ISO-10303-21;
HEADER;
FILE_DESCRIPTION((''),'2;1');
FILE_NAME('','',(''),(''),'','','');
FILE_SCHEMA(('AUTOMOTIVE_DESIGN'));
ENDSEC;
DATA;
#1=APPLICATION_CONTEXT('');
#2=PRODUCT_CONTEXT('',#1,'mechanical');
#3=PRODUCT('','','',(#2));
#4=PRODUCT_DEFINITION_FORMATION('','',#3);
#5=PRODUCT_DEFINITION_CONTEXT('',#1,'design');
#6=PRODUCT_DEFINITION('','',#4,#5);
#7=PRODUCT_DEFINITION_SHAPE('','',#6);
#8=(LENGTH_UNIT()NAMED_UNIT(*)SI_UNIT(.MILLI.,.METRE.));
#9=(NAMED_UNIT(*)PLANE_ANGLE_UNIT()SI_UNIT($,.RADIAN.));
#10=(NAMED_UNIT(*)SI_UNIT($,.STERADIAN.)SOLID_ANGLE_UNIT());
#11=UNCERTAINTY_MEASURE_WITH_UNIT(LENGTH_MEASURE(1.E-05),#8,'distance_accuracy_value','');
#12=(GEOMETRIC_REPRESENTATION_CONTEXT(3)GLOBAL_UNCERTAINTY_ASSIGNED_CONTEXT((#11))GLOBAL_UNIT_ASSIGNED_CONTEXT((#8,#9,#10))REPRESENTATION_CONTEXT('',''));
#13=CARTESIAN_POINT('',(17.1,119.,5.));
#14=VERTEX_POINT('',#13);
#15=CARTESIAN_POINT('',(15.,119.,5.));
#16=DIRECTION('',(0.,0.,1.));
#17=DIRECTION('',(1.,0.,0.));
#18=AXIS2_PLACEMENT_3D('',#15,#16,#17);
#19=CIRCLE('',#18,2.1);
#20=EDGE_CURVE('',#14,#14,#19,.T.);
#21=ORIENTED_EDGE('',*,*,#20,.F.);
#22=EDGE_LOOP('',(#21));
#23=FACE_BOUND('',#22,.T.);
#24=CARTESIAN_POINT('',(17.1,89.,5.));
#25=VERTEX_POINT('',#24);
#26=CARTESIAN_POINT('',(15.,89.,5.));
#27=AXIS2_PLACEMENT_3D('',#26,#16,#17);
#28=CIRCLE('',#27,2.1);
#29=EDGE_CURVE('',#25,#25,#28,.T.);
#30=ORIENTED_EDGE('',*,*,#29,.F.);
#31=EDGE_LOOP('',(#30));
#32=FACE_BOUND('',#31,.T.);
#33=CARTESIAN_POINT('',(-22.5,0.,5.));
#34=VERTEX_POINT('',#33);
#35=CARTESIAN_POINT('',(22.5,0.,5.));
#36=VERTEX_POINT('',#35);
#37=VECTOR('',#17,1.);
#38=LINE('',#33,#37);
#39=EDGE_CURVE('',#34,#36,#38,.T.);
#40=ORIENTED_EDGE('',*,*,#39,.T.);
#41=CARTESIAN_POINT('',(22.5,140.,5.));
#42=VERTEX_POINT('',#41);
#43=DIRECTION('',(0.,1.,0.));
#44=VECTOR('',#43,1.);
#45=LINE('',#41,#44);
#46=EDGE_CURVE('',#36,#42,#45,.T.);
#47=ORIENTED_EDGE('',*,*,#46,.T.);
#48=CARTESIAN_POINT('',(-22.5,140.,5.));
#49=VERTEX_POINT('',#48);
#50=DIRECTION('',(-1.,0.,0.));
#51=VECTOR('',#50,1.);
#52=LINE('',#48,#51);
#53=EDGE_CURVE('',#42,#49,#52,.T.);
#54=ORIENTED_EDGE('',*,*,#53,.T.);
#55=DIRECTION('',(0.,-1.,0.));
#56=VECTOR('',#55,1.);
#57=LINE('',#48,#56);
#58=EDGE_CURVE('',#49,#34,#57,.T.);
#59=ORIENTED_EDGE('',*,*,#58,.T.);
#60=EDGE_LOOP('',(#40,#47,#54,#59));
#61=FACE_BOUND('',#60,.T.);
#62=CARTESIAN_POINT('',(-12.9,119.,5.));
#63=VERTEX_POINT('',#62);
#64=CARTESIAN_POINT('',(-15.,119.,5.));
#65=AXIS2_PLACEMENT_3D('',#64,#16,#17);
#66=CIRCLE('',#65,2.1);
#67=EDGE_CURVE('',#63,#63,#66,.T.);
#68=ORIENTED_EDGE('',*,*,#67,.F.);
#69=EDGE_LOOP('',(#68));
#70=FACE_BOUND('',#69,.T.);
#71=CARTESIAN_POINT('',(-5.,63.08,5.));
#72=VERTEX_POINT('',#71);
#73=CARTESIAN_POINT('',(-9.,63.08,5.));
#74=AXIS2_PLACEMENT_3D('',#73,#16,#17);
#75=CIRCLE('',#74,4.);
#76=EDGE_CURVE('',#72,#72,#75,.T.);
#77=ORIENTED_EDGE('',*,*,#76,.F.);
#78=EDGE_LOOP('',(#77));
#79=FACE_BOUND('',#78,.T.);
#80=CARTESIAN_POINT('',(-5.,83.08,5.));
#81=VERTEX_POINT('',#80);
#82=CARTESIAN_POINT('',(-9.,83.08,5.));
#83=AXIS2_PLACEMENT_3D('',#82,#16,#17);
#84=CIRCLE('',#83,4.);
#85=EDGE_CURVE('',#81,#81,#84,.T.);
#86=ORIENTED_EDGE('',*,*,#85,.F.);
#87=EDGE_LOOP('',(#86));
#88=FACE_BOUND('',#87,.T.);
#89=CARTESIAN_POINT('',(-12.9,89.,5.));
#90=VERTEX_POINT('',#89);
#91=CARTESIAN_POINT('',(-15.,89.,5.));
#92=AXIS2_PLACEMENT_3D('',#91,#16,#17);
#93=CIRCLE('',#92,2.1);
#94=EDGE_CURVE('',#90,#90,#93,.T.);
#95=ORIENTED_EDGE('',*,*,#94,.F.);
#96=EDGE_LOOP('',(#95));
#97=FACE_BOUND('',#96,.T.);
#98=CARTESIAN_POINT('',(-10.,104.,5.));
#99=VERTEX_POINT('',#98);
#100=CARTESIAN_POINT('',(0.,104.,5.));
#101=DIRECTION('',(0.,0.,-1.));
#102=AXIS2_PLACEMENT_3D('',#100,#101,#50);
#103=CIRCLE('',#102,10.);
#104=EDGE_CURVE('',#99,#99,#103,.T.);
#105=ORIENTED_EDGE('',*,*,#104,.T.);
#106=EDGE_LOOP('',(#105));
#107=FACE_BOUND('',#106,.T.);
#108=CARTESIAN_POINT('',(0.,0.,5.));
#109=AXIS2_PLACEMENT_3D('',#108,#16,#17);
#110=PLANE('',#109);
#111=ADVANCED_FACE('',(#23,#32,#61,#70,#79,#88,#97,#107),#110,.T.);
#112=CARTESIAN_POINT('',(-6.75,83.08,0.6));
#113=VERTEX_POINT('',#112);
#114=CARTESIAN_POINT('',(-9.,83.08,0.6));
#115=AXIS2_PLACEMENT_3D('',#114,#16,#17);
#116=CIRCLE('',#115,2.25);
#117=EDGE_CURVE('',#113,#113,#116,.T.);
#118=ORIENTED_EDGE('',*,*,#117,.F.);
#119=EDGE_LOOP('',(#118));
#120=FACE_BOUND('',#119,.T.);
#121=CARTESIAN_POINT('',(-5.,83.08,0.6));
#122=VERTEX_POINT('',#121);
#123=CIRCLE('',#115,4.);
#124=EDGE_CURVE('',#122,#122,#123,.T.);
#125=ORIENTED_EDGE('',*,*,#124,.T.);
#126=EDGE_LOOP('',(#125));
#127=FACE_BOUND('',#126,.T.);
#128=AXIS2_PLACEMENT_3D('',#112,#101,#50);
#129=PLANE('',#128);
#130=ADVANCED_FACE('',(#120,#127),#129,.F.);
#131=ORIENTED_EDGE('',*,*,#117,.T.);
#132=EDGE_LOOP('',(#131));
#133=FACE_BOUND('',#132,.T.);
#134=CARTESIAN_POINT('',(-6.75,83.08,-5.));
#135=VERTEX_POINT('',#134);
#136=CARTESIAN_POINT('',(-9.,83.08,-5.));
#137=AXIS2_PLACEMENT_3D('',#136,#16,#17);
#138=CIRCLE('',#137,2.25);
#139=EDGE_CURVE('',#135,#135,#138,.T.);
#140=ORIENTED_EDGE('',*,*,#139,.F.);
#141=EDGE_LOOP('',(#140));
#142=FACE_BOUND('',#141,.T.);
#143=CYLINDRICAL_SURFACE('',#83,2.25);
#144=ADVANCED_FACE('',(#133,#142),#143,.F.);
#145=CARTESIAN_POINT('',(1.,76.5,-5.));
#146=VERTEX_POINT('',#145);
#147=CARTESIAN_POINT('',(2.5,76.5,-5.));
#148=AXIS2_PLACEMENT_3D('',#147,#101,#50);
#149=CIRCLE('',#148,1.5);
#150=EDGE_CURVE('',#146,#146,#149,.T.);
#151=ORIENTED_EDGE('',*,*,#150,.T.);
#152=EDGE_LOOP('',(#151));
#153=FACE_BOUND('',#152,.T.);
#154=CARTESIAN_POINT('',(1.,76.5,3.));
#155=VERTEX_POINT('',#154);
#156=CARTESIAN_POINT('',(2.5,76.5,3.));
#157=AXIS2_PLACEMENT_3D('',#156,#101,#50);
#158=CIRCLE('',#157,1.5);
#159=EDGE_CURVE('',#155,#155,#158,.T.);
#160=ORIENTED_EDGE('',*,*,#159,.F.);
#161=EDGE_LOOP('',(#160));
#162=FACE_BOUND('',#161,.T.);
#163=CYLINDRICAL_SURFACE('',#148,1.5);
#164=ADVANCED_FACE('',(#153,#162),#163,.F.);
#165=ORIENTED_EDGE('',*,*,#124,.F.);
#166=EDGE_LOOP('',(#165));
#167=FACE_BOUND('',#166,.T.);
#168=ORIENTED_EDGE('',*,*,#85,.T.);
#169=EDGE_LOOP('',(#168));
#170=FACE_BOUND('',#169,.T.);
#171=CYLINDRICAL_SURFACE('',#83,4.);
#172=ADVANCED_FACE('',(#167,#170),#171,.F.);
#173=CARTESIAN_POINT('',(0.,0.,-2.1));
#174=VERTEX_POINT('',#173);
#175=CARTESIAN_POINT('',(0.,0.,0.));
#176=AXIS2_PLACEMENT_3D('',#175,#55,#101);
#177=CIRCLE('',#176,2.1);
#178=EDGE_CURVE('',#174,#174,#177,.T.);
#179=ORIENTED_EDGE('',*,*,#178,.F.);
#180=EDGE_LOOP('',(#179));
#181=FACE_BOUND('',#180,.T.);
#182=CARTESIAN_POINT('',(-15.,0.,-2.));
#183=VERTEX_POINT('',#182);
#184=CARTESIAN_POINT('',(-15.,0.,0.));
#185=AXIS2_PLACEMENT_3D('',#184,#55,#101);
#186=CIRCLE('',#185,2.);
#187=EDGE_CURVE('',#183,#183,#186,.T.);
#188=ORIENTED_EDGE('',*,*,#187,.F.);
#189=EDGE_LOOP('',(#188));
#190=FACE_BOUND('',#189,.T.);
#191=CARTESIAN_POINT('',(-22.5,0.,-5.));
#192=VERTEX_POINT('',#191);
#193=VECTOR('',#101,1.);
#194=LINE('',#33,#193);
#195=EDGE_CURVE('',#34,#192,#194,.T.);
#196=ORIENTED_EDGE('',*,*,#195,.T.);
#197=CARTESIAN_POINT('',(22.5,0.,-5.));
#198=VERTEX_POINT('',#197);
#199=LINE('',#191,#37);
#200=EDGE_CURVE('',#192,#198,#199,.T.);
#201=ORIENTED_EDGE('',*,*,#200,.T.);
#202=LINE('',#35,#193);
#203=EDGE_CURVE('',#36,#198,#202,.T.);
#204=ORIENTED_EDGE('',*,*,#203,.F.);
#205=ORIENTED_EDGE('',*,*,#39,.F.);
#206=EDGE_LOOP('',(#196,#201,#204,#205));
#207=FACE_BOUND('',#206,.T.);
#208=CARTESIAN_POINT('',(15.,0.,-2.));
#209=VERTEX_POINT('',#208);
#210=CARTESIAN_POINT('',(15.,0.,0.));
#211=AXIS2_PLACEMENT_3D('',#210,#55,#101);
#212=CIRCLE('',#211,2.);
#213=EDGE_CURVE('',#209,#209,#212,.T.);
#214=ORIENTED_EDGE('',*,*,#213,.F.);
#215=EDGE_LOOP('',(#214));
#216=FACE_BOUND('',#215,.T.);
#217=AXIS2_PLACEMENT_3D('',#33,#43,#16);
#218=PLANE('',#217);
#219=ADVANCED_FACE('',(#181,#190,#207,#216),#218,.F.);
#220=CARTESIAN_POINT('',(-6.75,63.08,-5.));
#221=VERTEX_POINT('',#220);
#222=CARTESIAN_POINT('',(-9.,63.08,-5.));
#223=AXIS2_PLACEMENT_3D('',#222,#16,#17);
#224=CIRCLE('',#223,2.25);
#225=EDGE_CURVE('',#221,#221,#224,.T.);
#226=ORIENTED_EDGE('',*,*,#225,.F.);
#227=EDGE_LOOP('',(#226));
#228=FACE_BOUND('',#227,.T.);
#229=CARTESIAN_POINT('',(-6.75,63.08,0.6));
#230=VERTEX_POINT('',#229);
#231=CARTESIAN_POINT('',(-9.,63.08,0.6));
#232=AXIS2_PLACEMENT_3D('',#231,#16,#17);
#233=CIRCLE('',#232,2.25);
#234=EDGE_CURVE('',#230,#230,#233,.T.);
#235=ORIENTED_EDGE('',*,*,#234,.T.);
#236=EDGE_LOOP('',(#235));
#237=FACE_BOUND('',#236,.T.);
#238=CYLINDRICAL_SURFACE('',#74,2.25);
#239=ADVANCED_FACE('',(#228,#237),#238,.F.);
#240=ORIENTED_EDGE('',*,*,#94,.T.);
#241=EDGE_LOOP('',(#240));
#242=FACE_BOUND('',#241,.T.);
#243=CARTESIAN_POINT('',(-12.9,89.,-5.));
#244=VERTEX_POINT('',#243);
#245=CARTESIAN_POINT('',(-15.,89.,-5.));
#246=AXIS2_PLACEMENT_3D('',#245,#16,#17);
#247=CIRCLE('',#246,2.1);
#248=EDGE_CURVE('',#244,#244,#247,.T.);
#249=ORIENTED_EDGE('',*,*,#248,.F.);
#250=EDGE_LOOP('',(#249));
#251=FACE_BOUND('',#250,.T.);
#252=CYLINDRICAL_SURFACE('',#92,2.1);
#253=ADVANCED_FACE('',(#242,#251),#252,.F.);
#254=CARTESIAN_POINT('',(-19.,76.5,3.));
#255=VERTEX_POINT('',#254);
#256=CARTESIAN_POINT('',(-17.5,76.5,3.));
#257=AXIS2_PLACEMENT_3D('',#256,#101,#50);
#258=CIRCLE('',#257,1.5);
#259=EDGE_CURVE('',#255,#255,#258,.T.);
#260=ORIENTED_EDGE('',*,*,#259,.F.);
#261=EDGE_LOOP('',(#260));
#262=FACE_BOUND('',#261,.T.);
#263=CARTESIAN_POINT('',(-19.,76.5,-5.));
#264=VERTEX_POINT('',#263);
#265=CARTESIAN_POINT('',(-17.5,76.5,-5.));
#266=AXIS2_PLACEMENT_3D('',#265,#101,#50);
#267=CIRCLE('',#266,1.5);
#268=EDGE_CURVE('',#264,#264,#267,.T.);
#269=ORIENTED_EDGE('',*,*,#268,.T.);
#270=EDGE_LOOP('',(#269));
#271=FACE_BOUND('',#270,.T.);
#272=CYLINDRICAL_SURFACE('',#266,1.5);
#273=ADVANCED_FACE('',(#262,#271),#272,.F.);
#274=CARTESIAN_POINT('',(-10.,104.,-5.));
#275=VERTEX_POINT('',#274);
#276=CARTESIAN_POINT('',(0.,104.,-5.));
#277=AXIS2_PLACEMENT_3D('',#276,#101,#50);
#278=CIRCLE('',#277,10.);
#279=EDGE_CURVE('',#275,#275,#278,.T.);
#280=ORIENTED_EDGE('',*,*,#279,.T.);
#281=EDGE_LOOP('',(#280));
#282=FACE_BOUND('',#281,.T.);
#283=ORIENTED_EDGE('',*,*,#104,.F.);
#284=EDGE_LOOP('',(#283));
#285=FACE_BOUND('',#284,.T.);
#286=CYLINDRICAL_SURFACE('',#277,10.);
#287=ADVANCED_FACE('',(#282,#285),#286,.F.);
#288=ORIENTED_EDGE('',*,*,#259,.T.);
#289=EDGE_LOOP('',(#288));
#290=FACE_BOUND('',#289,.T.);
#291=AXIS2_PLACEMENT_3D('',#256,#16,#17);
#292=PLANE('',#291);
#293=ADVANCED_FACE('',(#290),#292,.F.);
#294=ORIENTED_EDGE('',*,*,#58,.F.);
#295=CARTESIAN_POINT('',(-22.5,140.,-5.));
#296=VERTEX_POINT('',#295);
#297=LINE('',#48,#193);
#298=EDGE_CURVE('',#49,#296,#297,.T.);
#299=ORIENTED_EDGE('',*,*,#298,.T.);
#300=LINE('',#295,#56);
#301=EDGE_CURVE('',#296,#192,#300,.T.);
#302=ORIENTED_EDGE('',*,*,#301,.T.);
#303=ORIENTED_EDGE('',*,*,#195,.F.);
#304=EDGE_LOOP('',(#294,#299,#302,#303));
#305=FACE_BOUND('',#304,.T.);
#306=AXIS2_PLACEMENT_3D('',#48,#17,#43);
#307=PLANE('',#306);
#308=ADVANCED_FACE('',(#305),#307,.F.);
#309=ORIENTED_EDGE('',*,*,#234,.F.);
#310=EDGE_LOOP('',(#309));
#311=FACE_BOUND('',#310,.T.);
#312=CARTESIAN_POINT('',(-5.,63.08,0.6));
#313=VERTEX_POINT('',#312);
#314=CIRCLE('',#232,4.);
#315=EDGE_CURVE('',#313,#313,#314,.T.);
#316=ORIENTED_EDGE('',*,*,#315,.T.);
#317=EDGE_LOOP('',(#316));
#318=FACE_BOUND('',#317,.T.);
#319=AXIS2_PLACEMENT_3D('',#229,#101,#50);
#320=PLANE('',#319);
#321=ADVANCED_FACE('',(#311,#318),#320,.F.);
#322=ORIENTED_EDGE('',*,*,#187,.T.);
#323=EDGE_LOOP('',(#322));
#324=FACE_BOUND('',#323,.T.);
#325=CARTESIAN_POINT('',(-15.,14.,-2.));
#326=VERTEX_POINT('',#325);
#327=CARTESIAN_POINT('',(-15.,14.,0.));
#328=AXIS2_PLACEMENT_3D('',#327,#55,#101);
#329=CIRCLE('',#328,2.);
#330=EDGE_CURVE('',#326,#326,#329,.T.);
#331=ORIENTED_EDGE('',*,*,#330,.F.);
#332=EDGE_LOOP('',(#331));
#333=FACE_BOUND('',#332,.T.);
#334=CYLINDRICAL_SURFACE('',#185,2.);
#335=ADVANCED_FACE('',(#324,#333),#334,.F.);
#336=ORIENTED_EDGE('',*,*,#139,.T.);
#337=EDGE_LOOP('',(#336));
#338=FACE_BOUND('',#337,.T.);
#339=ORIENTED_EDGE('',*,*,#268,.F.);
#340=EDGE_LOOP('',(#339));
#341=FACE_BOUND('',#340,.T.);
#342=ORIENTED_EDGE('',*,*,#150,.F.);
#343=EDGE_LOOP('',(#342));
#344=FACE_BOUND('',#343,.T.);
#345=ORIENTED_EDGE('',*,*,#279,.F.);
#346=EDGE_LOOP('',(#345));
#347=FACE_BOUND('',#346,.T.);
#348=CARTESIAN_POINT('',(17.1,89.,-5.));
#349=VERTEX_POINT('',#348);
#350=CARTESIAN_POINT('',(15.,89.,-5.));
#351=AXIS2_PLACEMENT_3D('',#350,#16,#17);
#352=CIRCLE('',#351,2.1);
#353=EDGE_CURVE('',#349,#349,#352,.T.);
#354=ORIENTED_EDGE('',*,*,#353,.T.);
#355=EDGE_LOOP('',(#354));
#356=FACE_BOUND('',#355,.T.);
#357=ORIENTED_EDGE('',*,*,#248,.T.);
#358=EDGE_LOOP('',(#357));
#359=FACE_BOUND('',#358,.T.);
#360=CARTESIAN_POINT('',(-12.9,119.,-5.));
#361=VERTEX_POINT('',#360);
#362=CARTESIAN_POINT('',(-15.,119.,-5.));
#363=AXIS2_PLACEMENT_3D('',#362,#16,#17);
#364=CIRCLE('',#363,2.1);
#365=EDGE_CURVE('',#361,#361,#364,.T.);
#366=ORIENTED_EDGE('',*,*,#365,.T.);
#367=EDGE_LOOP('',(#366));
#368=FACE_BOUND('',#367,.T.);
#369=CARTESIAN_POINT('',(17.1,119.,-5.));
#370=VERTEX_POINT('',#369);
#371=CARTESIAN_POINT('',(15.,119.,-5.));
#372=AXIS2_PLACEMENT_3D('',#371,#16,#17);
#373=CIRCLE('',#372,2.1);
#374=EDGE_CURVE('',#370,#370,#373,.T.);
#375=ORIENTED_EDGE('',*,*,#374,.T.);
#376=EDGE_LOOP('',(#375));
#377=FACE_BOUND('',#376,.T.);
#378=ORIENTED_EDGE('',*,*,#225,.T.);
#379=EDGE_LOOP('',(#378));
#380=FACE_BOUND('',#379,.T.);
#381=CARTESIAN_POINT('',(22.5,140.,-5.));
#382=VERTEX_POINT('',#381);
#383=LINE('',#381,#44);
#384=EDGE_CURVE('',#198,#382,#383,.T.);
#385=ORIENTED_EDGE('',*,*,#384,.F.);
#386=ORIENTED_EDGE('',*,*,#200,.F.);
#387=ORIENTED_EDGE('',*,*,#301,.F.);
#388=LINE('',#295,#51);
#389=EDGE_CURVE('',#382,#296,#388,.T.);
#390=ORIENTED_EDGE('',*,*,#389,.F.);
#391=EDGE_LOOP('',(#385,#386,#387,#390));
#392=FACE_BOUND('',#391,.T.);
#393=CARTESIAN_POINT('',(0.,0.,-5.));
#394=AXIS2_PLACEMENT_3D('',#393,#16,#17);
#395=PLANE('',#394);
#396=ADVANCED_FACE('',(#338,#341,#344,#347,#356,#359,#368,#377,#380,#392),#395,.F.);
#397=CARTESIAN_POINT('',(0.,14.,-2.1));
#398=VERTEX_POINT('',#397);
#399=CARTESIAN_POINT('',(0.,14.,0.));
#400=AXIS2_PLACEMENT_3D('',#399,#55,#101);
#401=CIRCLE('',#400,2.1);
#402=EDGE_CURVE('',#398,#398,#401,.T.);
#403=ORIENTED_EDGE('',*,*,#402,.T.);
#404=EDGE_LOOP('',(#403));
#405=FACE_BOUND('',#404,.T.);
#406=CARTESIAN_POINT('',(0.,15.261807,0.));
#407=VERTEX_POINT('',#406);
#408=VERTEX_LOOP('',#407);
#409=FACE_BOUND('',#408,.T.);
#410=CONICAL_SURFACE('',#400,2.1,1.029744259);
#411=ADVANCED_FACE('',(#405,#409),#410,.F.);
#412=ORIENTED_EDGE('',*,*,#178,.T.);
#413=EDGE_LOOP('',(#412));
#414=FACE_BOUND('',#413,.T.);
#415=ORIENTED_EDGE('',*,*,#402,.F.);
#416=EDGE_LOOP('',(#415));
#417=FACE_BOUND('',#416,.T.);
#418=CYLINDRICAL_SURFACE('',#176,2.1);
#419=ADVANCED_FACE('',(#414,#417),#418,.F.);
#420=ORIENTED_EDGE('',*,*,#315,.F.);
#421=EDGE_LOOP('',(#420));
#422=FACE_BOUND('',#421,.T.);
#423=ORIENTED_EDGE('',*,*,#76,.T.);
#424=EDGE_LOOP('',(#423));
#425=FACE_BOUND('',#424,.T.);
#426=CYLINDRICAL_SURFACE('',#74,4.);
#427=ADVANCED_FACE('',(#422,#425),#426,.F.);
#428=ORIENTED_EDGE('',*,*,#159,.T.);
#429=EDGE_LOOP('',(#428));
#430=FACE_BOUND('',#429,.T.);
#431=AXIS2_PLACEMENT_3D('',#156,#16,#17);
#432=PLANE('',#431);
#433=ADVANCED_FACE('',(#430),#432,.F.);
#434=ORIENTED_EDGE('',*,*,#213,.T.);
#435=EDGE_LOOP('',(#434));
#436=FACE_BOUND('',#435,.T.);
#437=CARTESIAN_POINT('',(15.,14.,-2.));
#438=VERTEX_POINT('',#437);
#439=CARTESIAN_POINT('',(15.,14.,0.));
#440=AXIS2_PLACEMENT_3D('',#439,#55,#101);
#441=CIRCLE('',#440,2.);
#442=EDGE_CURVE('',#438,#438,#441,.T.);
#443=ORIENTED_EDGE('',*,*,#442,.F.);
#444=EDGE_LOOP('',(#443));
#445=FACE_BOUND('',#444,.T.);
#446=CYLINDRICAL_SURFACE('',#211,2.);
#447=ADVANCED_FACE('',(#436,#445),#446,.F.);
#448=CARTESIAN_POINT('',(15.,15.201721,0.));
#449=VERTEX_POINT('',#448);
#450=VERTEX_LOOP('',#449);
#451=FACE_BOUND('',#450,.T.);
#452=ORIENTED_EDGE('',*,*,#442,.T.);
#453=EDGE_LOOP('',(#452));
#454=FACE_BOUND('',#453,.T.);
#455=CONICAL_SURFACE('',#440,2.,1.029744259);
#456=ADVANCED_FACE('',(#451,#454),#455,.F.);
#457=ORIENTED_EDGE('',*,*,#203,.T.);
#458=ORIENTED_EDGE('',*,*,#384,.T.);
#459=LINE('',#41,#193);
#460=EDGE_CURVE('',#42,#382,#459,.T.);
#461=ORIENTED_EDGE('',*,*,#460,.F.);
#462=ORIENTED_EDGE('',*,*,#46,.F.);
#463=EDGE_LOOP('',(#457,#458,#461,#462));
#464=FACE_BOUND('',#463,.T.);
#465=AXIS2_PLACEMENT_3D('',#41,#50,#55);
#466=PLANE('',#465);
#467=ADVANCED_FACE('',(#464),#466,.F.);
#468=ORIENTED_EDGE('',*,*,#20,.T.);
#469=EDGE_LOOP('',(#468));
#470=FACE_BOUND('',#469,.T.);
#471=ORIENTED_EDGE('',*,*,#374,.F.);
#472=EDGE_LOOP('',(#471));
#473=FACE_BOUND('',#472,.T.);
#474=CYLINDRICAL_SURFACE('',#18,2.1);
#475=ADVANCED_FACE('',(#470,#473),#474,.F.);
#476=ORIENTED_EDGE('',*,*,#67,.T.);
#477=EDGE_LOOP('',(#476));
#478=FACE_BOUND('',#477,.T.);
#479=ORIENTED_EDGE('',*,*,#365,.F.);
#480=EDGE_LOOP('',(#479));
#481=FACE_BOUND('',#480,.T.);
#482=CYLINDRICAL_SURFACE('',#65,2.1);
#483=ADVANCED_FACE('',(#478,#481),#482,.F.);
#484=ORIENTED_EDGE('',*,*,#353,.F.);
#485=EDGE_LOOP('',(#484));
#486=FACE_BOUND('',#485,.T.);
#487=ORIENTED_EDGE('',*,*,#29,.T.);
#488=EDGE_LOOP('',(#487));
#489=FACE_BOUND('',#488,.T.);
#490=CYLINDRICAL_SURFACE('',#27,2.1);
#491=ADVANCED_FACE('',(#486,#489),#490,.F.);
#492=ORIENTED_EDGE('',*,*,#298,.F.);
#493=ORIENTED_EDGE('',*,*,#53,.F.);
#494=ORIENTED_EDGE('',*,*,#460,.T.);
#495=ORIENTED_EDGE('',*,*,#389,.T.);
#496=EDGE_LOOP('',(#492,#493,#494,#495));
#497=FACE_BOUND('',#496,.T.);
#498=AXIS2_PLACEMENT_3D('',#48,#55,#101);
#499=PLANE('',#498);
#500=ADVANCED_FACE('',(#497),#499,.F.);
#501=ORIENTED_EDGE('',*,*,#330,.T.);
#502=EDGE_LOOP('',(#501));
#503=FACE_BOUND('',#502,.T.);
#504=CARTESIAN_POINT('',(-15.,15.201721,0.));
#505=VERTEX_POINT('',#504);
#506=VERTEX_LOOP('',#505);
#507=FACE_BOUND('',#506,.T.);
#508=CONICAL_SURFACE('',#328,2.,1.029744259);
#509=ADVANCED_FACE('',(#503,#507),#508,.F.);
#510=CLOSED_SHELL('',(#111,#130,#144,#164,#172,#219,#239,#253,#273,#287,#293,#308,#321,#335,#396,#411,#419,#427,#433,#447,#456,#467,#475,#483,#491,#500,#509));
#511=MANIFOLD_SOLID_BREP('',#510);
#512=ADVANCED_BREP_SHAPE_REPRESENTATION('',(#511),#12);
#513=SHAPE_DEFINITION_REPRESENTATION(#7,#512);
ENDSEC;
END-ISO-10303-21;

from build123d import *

# Parameters (mm, degrees)
SKIZZE1_W                                            = 45
SKIZZE1_H                                            = 140
AUFSATZ_LINEAR_AUSTRAGEN1_DEPTH                      = 5
STIRNSENKUNG_F_R_M4_ZYLINDERSCHRAUBE_MIT_D           = 4.5
STIRNSENKUNG_F_R_M4_ZYLINDERSCHRAUBE_MIT_CBORE_D     = 8
STIRNSENKUNG_F_R_M4_ZYLINDERSCHRAUBE_MIT_CBORE_DEPTH = 4.4
M5_GEWINDEBOHRUNG1_D                                 = 4.2
LINEARES_MUSTER1_COUNT                               = 2
LINEARES_MUSTER1_PITCH                               = 20
M5_GEWINDEBOHRUNG2_D                                 = 4.2
M5_GEWINDEBOHRUNG2_DEPTH                             = 14
M5_GEWINDEBOHRUNG2_TIP                               = 1.2618073
F_4_0_4_DURCHMESSER_BOHRUNG1_D                       = 4
F_4_0_4_DURCHMESSER_BOHRUNG1_DEPTH                   = 14
F_4_0_4_DURCHMESSER_BOHRUNG1_TIP                     = 1.201721238
F_3_0_3_DURCHMESSER_BOHRUNG1_D                       = 3
F_3_0_3_DURCHMESSER_BOHRUNG1_DEPTH                   = 8
F_20_0_20_DURCHMESSER_BOHRUNG1_D                     = 20


with BuildPart() as part:
    # Skizze1 → Aufsatz-Linear austragen1 (new, symmetric)
    with BuildSketch(Plane.XY):
        with Locations((0, 70)):
            Rectangle(SKIZZE1_W, SKIZZE1_H)
    extrude(amount=AUFSATZ_LINEAR_AUSTRAGEN1_DEPTH, both=True)

    # Stirnsenkung für M4 Zylinderschraube mit Innensechskant1 (through all)
    with Locations(Plane.XY.offset(5)):
        with Locations((-9, 83.08)):
            stirnsenkung_f_r_m4_zylinderschraube_mit = CounterBoreHole(STIRNSENKUNG_F_R_M4_ZYLINDERSCHRAUBE_MIT_D / 2, STIRNSENKUNG_F_R_M4_ZYLINDERSCHRAUBE_MIT_CBORE_D / 2, STIRNSENKUNG_F_R_M4_ZYLINDERSCHRAUBE_MIT_CBORE_DEPTH)

    # M5 Gewindebohrung1 (through all)
    with Locations(Plane.XY.offset(5)):
        with Locations((15, 119), (-15, 89), (-15, 119), (15, 89)):
            Hole(M5_GEWINDEBOHRUNG1_D / 2)

    # Lineares Muster1: Stirnsenkung für M4 Zylinderschraube mit Innensechskant1 ×2
    with Locations(*[(0, -i * LINEARES_MUSTER1_PITCH, 0) for i in range(1, LINEARES_MUSTER1_COUNT)]):
        add(stirnsenkung_f_r_m4_zylinderschraube_mit, mode=Mode.SUBTRACT)

    # M5 Gewindebohrung2
    with Locations(Plane(origin=(0, 0, 0), x_dir=(-1, 0, 0), z_dir=(0, -1, 0))):
        with Locations((0, 0)):
            Hole(M5_GEWINDEBOHRUNG2_D / 2, depth=M5_GEWINDEBOHRUNG2_DEPTH)
            with Locations((0, 0, -(M5_GEWINDEBOHRUNG2_DEPTH + M5_GEWINDEBOHRUNG2_TIP / 2))):  # 118° drill point
                Cone(0, M5_GEWINDEBOHRUNG2_D / 2, M5_GEWINDEBOHRUNG2_TIP, mode=Mode.SUBTRACT)

    # Ø4.0 (4) Durchmesser Bohrung1
    with Locations(Plane(origin=(0, 0, 0), x_dir=(-1, 0, 0), z_dir=(0, -1, 0))):
        with Locations((15, 0), (-15, 0)):
            Hole(F_4_0_4_DURCHMESSER_BOHRUNG1_D / 2, depth=F_4_0_4_DURCHMESSER_BOHRUNG1_DEPTH)
            with Locations((0, 0, -(F_4_0_4_DURCHMESSER_BOHRUNG1_DEPTH + F_4_0_4_DURCHMESSER_BOHRUNG1_TIP / 2))):  # 118° drill point
                Cone(0, F_4_0_4_DURCHMESSER_BOHRUNG1_D / 2, F_4_0_4_DURCHMESSER_BOHRUNG1_TIP, mode=Mode.SUBTRACT)

    # Ø3.0 (3) Durchmesser Bohrung1
    with Locations(Plane(origin=(0, 0, -5), x_dir=(-1, 0, 0), z_dir=(0, 0, -1))):
        with Locations((17.5, 76.5), (-2.5, 76.5)):
            Hole(F_3_0_3_DURCHMESSER_BOHRUNG1_D / 2, depth=F_3_0_3_DURCHMESSER_BOHRUNG1_DEPTH)

    # Ø20.0 (20) Durchmesser Bohrung1 (through all)
    with Locations(Plane(origin=(0, 0, -5), x_dir=(-1, 0, 0), z_dir=(0, 0, -1))):
        with Locations((0, 104)):
            Hole(F_20_0_20_DURCHMESSER_BOHRUNG1_D / 2)


solid = part.part
